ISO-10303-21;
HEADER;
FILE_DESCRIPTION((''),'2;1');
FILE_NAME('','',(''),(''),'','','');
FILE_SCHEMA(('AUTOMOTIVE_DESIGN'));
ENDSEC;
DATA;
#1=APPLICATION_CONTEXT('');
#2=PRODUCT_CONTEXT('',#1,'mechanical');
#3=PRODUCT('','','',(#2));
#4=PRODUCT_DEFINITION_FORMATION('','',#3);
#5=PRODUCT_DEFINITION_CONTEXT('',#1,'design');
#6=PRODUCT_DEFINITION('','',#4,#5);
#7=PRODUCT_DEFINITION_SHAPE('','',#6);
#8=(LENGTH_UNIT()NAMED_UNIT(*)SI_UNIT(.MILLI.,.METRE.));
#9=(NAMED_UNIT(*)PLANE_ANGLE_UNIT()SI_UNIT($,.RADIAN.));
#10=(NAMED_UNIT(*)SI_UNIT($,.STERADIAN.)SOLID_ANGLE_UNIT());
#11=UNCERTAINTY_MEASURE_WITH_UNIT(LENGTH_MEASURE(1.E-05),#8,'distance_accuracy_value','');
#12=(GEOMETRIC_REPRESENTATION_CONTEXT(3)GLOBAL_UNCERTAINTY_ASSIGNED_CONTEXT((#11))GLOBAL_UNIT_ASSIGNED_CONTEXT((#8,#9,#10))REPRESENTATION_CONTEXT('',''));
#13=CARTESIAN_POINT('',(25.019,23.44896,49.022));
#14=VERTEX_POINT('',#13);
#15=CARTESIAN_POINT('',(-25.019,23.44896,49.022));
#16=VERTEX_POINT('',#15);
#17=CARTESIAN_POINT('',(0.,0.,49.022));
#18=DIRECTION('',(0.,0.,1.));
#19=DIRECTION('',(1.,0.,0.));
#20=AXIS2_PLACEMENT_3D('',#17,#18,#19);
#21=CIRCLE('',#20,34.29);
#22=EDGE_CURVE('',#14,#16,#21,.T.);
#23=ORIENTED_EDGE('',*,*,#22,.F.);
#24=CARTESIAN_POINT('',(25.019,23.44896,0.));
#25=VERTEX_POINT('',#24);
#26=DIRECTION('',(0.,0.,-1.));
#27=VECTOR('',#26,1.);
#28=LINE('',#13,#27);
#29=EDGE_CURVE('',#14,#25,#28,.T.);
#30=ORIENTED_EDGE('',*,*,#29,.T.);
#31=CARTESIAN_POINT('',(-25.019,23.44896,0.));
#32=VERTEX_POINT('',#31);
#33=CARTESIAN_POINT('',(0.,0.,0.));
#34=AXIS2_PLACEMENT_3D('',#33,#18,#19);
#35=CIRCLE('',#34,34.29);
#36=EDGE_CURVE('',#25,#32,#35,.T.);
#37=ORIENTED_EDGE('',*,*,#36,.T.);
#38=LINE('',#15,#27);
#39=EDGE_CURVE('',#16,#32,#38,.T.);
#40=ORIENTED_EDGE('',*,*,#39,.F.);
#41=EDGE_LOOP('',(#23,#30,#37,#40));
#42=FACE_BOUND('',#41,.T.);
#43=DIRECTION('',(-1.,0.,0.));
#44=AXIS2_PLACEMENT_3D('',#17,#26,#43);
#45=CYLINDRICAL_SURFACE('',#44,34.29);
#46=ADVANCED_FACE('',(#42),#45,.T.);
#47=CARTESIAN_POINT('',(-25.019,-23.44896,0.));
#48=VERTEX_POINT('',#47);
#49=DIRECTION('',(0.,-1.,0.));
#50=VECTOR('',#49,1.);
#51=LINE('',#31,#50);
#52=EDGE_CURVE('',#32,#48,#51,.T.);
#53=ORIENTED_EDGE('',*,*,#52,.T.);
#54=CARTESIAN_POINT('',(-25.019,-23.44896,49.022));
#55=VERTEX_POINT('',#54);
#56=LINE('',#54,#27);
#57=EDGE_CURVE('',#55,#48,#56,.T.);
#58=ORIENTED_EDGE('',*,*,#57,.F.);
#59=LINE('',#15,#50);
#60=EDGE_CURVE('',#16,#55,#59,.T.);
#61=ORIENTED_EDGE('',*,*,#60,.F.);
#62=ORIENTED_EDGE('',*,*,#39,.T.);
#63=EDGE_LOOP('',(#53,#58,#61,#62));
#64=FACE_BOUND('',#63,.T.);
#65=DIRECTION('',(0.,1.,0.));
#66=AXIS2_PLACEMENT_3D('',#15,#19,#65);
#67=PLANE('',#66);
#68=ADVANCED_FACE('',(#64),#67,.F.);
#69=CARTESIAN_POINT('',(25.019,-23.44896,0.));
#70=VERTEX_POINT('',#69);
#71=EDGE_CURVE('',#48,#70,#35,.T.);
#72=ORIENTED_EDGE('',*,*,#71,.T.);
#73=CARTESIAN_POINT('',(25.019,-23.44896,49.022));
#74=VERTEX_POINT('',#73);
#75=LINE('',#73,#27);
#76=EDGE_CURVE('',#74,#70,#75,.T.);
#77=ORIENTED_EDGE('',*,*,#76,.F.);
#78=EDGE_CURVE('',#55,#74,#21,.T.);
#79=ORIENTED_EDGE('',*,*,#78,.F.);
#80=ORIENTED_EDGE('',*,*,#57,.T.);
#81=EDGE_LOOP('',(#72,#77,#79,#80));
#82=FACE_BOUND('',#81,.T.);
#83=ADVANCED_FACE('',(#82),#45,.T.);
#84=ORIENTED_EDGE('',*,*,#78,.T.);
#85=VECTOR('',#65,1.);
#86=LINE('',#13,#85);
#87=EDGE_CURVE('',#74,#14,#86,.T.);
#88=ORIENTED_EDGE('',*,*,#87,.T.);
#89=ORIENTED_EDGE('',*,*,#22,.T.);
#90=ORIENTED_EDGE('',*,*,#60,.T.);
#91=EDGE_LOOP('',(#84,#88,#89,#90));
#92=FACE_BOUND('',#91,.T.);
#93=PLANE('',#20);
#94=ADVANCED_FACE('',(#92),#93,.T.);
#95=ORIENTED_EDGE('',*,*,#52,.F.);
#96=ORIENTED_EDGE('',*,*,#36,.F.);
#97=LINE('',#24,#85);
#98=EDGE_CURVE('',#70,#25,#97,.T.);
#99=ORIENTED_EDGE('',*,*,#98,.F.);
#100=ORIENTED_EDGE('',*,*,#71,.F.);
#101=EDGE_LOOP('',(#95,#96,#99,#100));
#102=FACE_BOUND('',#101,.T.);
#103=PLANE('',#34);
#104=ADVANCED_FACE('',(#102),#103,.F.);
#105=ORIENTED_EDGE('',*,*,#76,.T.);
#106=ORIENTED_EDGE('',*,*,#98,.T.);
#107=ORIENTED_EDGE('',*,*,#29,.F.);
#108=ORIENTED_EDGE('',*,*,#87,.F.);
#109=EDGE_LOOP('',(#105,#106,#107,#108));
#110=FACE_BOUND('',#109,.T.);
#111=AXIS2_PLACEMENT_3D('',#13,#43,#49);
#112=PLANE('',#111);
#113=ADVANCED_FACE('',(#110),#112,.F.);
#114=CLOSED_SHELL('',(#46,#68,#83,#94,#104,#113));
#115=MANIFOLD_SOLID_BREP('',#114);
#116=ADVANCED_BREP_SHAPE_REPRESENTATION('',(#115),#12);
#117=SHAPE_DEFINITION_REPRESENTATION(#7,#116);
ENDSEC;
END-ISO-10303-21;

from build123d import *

# Parameters (mm, degrees)
BOSS_EXTRUDE1_DEPTH = 49.022


with BuildPart() as part:
    # Sketch1 → Boss-Extrude1 (new body)
    with BuildSketch(Plane.XY):
        with BuildLine():
            Line((25.019, 23.448960297), (25.019, -23.448960297))
            ThreePointArc((25.019, -23.448960297), (0, -34.29), (-25.019, -23.448960297))
            Line((-25.019, -23.448960297), (-25.019, 23.448960297))
            ThreePointArc((-25.019, 23.448960297), (0, 34.29), (25.019, 23.448960297))
        make_face()
    extrude(amount=BOSS_EXTRUDE1_DEPTH)


solid = part.part
